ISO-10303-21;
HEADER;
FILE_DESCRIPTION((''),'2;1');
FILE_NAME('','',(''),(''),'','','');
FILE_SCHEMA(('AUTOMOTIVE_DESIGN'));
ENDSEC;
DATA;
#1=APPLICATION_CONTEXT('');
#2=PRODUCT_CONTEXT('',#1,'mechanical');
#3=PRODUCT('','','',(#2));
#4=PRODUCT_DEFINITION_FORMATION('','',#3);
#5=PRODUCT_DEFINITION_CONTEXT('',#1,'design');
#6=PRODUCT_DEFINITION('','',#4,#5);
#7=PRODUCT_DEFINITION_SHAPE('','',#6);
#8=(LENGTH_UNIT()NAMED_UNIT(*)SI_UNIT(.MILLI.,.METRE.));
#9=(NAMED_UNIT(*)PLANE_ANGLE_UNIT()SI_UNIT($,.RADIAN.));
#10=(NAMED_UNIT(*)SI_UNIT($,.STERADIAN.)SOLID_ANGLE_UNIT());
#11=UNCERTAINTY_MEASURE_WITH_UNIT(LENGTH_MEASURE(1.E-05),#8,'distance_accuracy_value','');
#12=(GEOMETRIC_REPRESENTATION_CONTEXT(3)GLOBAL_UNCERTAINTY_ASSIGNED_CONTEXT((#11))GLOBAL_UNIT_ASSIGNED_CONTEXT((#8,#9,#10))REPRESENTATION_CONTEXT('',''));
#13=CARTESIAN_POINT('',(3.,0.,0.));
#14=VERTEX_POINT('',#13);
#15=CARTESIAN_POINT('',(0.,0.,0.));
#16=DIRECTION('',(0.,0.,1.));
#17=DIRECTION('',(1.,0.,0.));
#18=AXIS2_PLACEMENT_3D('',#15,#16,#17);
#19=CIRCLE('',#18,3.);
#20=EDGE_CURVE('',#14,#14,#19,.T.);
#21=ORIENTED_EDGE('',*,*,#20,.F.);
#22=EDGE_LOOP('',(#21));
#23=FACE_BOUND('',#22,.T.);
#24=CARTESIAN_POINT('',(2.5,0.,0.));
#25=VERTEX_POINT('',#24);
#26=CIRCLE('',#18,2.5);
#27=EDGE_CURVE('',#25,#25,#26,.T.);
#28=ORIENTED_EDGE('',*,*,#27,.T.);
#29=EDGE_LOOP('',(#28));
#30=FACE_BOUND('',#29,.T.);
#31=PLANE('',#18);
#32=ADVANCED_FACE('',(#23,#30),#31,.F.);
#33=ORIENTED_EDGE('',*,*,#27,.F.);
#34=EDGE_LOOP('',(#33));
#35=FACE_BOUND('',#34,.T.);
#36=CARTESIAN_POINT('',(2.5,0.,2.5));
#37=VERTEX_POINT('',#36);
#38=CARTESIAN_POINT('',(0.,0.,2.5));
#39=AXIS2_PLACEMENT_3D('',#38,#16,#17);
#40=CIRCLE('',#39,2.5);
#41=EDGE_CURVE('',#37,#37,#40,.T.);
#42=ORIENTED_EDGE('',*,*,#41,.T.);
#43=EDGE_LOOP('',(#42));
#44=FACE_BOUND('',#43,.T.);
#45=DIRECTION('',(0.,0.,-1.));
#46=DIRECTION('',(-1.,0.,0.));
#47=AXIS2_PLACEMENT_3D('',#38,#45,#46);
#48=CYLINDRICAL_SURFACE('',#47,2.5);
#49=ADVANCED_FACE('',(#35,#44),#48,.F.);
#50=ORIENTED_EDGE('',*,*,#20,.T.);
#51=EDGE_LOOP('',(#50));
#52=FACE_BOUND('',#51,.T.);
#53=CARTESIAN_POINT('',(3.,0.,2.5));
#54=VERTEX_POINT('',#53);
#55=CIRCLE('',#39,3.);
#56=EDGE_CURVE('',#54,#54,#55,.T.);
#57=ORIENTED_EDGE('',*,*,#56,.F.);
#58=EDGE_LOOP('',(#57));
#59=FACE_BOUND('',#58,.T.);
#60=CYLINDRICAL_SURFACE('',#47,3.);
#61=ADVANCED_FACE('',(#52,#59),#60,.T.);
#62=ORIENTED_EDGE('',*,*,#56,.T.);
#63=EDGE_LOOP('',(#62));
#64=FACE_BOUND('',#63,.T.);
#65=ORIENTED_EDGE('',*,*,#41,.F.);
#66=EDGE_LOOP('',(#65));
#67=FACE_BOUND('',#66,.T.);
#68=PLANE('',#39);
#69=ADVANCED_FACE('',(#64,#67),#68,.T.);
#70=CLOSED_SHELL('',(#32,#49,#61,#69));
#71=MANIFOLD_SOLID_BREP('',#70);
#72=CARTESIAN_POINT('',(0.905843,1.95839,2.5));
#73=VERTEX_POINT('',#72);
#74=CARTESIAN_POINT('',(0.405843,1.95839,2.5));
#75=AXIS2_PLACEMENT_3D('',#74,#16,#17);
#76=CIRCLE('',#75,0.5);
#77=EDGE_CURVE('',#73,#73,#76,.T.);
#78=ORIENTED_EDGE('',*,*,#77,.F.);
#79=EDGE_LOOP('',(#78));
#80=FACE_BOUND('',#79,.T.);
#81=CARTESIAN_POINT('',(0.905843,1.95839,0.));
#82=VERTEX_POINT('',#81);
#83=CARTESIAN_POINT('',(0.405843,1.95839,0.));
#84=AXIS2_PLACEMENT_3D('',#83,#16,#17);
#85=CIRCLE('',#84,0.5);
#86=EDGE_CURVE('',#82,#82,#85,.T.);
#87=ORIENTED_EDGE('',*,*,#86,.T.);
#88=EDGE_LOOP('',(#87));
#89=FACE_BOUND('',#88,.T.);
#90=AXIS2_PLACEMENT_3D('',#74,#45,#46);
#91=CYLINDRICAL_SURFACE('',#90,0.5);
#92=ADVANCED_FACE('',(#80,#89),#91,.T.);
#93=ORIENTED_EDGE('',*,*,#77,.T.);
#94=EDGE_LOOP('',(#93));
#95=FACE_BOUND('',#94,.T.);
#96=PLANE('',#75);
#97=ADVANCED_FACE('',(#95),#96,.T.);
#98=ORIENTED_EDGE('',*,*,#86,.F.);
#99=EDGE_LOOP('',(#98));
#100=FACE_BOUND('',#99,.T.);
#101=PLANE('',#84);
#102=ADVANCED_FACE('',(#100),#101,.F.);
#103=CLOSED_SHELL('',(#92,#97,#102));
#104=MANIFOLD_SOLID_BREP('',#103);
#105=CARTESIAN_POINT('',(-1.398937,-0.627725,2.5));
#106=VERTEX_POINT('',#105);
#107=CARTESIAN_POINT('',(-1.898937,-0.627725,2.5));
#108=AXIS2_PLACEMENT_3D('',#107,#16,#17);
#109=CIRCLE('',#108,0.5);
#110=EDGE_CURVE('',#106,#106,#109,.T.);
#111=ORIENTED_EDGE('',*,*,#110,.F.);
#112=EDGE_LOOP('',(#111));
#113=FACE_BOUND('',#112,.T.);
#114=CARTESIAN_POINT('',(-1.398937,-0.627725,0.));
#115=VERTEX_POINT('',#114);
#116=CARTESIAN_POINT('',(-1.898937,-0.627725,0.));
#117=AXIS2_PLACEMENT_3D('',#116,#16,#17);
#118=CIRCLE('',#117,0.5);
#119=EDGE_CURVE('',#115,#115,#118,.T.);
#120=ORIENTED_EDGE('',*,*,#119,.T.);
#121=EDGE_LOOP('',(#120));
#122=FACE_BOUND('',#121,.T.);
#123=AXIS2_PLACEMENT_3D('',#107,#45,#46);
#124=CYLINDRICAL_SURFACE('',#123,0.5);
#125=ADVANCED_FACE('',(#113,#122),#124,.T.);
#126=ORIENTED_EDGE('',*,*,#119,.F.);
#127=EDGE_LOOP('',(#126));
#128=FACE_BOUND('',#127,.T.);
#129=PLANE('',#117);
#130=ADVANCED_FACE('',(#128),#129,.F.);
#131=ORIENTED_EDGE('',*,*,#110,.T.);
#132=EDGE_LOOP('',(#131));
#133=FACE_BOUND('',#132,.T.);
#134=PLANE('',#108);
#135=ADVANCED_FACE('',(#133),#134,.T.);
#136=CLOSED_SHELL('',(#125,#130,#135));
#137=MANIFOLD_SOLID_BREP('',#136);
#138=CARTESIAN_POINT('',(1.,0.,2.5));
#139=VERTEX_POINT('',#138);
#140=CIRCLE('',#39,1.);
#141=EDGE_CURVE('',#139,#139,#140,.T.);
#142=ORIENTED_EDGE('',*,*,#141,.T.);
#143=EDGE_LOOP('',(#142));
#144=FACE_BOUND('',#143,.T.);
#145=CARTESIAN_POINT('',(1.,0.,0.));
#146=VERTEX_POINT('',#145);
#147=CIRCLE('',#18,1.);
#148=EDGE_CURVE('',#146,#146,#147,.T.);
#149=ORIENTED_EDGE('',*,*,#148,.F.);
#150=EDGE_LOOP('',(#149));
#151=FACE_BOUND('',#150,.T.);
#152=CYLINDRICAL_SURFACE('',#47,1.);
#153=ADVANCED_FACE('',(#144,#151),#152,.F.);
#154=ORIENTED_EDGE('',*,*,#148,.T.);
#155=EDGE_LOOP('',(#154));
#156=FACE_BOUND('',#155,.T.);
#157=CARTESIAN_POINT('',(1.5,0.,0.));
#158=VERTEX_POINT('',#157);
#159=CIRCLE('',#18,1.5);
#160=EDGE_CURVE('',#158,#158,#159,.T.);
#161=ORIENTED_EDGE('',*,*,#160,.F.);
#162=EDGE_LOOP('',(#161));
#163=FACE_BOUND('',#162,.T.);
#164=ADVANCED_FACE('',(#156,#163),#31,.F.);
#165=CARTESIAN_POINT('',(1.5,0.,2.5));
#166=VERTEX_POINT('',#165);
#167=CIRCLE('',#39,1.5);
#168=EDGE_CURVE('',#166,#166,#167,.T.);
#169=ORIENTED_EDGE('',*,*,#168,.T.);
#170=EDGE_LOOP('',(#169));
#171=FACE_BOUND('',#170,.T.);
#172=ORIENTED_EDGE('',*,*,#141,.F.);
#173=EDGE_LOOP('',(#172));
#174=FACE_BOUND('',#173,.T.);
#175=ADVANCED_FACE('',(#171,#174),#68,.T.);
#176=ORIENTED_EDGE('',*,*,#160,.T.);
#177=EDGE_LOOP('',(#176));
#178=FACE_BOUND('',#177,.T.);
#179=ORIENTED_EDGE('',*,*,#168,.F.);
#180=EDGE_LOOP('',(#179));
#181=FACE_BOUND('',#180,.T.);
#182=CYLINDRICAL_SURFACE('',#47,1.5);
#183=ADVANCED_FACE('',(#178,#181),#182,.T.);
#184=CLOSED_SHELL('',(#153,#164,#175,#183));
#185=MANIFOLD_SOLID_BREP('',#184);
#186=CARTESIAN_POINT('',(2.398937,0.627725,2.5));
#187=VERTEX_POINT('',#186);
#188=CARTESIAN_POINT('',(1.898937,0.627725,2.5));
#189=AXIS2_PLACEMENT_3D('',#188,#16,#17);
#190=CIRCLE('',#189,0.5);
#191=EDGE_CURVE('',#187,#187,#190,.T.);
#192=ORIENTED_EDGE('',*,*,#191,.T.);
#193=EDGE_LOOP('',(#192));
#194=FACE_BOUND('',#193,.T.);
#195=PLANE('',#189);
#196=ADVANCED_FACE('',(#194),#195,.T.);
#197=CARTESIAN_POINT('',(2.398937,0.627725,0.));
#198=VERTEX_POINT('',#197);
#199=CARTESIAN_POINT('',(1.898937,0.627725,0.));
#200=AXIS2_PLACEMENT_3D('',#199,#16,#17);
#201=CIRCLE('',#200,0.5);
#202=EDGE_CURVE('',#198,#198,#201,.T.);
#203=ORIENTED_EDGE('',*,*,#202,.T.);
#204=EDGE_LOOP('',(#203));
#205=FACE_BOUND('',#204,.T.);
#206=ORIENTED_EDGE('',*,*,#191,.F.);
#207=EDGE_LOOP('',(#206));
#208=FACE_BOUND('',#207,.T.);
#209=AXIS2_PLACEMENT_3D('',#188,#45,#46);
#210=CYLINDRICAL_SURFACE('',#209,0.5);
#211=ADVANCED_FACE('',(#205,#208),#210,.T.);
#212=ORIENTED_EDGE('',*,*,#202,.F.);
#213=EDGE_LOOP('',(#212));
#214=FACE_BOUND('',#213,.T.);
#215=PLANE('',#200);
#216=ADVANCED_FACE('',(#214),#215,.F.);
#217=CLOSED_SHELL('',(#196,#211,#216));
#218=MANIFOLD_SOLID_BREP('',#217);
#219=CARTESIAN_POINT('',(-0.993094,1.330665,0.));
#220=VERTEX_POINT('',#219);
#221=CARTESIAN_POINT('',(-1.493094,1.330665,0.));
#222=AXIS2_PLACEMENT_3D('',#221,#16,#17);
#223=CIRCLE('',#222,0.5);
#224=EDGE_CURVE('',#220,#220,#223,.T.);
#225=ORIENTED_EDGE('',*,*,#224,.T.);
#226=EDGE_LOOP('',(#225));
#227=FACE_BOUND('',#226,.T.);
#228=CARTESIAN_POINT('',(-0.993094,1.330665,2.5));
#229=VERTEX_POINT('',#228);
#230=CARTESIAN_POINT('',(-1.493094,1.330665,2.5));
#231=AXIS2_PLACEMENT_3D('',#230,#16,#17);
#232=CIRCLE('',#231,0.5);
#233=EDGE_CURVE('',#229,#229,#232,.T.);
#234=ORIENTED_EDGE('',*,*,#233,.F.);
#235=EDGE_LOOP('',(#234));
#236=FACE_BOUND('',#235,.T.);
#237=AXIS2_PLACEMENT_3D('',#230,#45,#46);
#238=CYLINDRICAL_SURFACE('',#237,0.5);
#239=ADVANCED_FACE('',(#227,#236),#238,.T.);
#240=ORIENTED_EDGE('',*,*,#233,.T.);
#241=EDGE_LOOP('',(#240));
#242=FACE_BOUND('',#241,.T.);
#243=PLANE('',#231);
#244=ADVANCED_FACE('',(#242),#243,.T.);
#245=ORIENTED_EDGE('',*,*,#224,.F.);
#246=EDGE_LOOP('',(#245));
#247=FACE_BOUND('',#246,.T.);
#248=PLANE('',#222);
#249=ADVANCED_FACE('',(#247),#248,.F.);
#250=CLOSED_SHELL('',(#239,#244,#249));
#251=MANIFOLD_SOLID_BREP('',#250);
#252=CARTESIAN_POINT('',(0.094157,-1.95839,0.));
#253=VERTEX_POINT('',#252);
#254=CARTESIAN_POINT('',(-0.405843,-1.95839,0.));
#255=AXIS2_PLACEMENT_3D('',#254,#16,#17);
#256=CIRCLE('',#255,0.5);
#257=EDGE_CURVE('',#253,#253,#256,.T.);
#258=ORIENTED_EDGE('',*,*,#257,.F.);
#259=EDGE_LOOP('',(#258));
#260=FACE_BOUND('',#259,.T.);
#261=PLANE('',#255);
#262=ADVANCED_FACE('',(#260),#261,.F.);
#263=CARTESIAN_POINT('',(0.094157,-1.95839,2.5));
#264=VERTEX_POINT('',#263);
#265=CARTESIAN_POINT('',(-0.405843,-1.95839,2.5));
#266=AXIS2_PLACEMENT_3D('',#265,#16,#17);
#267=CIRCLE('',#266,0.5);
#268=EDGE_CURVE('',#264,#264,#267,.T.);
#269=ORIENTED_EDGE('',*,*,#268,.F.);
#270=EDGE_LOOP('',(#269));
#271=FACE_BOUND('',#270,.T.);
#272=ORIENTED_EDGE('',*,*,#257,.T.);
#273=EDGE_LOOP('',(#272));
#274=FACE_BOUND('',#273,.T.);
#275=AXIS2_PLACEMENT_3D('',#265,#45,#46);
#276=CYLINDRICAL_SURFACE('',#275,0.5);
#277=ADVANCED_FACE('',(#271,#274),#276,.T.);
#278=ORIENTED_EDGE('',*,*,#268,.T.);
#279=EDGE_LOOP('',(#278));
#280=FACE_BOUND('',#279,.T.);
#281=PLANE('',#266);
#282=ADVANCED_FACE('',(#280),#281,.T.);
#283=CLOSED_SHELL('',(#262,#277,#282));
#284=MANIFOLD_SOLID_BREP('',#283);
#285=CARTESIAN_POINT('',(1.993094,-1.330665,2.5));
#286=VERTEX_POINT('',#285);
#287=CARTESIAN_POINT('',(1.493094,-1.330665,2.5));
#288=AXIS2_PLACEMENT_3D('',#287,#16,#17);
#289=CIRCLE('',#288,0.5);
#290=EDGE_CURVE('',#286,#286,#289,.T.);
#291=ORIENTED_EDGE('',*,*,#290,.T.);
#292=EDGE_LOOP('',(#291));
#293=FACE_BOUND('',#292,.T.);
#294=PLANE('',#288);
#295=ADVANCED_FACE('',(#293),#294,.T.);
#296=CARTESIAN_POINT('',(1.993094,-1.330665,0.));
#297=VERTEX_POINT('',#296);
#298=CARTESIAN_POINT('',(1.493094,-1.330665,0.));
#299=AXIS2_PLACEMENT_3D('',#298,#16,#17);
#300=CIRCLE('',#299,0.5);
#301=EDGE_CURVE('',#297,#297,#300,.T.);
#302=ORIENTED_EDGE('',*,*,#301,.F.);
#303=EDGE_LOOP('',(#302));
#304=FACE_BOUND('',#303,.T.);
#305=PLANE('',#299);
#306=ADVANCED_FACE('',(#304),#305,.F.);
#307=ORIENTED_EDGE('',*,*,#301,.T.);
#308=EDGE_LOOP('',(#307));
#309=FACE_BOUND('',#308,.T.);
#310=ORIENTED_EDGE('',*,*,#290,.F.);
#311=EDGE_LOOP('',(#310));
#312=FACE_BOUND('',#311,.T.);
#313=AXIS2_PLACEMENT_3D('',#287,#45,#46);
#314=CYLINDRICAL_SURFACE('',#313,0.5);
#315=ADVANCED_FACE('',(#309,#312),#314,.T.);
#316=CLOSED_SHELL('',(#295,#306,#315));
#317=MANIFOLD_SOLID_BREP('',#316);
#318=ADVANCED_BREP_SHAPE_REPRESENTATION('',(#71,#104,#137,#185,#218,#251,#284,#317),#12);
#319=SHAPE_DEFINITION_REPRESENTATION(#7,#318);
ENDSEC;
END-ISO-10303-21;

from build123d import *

# Parameters (mm, degrees)
SKETCH_1_R        = 3
SKETCH_1_R_2      = 2.5
EXTRUDE_1_DEPTH   = 2.5
SKETCH_1_R_3      = 1.5
SKETCH_1_R_4      = 1
EXTRUDE_1_2_DEPTH = 2.5
SKETCH_2_R        = 0.5
EXTRUDE_2_DEPTH   = 2.5
EXTRUDE_2_2_DEPTH = 2.5
EXTRUDE_2_3_DEPTH = 2.5
EXTRUDE_2_4_DEPTH = 2.5
EXTRUDE_2_5_DEPTH = 2.5
EXTRUDE_2_6_DEPTH = 2.5


with BuildPart() as part:
    # 草图1 → 凸台-拉伸1 (new body)
    with BuildSketch(Plane.XY):
        Circle(SKETCH_1_R)
        Circle(SKETCH_1_R_2, mode=Mode.SUBTRACT)
    extrude(amount=EXTRUDE_1_DEPTH)


with BuildPart() as body_2:
    # 草图1 → Extrude 1 2 (new body)
    with BuildSketch(Plane.XY):
        Circle(SKETCH_1_R_3)
        Circle(SKETCH_1_R_4, mode=Mode.SUBTRACT)
    extrude(amount=EXTRUDE_1_2_DEPTH)


with BuildPart() as body_3:
    # 草图2 → 凸台-拉伸2 (new body)
    with BuildSketch(Plane.XY):
        with Locations((-1.493093999, 1.330665363)):
            Circle(SKETCH_2_R)
    extrude(amount=EXTRUDE_2_DEPTH)


with BuildPart() as body_4:
    # 草图2 → Extrude 2 2 (new body)
    with BuildSketch(Plane.XY):
        with Locations((0.405843009, 1.958390015)):
            Circle(SKETCH_2_R)
    extrude(amount=EXTRUDE_2_2_DEPTH)


with BuildPart() as body_5:
    # 草图2 → Extrude 2 3 (new body)
    with BuildSketch(Plane.XY):
        with Locations((1.898937008, 0.627724652)):
            Circle(SKETCH_2_R)
    extrude(amount=EXTRUDE_2_3_DEPTH)


with BuildPart() as body_6:
    # 草图2 → Extrude 2 4 (new body)
    with BuildSketch(Plane.XY):
        with Locations((1.493093999, -1.330665363)):
            Circle(SKETCH_2_R)
    extrude(amount=EXTRUDE_2_4_DEPTH)


with BuildPart() as body_7:
    # 草图2 → Extrude 2 5 (new body)
    with BuildSketch(Plane.XY):
        with Locations((-0.405843009, -1.958390015)):
            Circle(SKETCH_2_R)
    extrude(amount=EXTRUDE_2_5_DEPTH)


with BuildPart() as body_8:
    # 草图2 → Extrude 2 6 (new body)
    with BuildSketch(Plane.XY):
        with Locations((-1.898937008, -0.627724652)):
            Circle(SKETCH_2_R)
    extrude(amount=EXTRUDE_2_6_DEPTH)


solid = Compound([part.part, body_2.part, body_3.part, body_4.part, body_5.part, body_6.part, body_7.part, body_8.part])
